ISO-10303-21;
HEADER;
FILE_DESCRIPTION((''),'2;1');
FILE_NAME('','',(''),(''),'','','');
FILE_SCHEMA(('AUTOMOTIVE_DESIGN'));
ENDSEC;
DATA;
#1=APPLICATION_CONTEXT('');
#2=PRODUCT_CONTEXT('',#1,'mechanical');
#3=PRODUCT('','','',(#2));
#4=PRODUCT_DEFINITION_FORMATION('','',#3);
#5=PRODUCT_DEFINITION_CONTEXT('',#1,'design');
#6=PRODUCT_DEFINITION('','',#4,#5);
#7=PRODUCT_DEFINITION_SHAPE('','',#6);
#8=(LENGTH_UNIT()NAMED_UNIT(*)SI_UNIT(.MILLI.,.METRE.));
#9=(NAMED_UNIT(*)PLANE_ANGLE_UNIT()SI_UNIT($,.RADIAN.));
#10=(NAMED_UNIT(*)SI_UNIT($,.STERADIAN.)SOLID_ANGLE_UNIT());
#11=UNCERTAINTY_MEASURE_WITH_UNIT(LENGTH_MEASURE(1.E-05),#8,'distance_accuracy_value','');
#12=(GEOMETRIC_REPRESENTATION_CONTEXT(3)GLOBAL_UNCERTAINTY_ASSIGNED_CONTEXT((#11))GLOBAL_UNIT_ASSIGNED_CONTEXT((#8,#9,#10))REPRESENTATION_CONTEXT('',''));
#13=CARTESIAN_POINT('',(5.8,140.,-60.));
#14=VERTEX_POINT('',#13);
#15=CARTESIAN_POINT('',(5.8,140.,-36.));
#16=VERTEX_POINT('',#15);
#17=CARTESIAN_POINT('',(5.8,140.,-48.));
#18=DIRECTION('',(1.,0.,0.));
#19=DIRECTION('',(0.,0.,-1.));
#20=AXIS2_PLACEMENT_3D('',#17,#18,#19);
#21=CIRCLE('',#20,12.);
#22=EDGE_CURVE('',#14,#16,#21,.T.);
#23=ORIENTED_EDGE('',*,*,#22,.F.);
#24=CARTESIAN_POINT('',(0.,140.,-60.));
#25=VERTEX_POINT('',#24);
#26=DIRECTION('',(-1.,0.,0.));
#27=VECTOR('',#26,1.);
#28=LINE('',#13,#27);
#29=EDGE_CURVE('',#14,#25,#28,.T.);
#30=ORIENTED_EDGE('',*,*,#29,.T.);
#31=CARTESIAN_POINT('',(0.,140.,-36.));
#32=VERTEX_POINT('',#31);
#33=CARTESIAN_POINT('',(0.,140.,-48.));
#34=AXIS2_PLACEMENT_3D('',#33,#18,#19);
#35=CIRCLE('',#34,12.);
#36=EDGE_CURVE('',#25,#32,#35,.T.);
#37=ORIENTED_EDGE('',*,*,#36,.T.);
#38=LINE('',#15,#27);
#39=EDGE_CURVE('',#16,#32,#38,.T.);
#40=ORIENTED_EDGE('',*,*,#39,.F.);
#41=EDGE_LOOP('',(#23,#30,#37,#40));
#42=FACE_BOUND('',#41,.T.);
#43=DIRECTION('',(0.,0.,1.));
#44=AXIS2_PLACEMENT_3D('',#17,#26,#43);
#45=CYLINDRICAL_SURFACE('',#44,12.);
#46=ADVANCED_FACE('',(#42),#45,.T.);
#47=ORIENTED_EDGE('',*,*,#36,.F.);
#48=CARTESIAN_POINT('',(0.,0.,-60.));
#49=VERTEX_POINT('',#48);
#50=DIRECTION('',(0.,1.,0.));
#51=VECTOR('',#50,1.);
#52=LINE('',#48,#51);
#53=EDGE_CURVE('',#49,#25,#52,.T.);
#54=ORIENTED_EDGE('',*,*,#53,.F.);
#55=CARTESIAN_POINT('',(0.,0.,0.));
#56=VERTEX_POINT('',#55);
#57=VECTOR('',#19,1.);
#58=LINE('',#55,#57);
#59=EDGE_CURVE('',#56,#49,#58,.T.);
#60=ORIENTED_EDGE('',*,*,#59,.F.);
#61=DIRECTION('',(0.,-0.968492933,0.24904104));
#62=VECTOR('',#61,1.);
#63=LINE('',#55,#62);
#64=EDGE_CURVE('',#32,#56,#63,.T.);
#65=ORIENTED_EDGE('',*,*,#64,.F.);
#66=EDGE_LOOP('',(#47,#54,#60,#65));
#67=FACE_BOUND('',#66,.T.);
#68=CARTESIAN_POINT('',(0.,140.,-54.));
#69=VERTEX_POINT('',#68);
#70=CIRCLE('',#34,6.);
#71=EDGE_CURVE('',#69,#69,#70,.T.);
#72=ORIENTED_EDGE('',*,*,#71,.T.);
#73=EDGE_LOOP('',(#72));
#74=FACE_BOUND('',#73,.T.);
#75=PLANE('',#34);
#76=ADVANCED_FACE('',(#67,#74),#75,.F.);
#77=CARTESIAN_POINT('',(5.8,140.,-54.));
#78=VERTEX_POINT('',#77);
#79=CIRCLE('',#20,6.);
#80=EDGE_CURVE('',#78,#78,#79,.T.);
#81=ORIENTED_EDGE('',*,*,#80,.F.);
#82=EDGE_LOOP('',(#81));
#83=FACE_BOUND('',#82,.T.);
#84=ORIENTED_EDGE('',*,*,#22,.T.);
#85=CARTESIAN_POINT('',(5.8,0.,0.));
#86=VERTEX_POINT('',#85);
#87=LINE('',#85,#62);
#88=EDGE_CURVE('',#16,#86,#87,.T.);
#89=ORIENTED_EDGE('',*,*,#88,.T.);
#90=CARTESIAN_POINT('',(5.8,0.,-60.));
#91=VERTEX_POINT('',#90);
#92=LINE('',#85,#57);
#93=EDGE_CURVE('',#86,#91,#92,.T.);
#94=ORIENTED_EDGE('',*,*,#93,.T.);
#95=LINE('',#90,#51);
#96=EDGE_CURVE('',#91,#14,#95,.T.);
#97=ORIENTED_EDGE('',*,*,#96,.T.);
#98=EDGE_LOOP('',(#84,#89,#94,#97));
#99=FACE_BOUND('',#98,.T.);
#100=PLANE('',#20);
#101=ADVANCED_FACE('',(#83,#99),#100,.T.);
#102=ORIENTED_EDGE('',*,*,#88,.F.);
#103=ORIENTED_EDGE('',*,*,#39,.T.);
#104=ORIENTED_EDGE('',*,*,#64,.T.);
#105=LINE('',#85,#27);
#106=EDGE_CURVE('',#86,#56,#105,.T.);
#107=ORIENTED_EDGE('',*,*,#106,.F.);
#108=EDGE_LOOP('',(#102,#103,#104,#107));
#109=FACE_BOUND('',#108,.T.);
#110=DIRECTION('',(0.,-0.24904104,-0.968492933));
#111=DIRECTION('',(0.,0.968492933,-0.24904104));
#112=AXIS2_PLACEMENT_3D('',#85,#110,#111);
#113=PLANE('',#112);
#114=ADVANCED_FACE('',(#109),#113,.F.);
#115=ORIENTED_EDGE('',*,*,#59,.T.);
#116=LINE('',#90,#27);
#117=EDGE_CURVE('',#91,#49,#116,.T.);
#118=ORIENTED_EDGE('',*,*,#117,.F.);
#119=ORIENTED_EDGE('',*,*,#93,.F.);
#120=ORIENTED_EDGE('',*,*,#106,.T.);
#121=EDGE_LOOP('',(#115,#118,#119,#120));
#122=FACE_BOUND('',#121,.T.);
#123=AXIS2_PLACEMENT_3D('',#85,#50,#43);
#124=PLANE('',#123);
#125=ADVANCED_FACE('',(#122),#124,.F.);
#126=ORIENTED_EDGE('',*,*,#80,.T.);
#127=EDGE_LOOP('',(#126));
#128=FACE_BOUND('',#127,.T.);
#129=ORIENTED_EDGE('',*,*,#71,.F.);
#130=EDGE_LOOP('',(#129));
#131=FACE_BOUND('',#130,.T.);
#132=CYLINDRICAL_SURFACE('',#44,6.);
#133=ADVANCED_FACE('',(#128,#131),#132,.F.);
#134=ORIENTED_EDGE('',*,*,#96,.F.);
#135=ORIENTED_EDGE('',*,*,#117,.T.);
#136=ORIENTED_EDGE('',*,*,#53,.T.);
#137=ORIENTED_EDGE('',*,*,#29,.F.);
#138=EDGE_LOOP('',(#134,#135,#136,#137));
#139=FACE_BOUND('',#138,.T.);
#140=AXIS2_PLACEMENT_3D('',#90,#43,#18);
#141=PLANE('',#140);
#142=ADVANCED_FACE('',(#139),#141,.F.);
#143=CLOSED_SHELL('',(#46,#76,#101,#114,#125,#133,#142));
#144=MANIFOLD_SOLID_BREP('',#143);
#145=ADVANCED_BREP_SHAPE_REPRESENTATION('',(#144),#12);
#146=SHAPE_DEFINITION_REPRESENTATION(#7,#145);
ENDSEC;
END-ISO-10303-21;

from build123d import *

# Parameters (mm, degrees)
SKETCH1_R           = 6
BOSS_EXTRUDE1_DEPTH = 5.8


with BuildPart() as part:
    # Sketch1 → Boss-Extrude1 (new body)
    with BuildSketch(Plane(origin=(0, 0, 0), x_dir=(0, 0, -1), z_dir=(1, 0, 0))):
        with BuildLine():
            Line((0, 0), (60, 0))
            Line((60, 0), (60, 140))
            ThreePointArc((60, 140), (48, 152), (36, 140))
            Line((36, 140), (0, 0))
        make_face()
        with Locations((48, 140)):
            Circle(SKETCH1_R, mode=Mode.SUBTRACT)
    extrude(amount=BOSS_EXTRUDE1_DEPTH)


solid = part.part
